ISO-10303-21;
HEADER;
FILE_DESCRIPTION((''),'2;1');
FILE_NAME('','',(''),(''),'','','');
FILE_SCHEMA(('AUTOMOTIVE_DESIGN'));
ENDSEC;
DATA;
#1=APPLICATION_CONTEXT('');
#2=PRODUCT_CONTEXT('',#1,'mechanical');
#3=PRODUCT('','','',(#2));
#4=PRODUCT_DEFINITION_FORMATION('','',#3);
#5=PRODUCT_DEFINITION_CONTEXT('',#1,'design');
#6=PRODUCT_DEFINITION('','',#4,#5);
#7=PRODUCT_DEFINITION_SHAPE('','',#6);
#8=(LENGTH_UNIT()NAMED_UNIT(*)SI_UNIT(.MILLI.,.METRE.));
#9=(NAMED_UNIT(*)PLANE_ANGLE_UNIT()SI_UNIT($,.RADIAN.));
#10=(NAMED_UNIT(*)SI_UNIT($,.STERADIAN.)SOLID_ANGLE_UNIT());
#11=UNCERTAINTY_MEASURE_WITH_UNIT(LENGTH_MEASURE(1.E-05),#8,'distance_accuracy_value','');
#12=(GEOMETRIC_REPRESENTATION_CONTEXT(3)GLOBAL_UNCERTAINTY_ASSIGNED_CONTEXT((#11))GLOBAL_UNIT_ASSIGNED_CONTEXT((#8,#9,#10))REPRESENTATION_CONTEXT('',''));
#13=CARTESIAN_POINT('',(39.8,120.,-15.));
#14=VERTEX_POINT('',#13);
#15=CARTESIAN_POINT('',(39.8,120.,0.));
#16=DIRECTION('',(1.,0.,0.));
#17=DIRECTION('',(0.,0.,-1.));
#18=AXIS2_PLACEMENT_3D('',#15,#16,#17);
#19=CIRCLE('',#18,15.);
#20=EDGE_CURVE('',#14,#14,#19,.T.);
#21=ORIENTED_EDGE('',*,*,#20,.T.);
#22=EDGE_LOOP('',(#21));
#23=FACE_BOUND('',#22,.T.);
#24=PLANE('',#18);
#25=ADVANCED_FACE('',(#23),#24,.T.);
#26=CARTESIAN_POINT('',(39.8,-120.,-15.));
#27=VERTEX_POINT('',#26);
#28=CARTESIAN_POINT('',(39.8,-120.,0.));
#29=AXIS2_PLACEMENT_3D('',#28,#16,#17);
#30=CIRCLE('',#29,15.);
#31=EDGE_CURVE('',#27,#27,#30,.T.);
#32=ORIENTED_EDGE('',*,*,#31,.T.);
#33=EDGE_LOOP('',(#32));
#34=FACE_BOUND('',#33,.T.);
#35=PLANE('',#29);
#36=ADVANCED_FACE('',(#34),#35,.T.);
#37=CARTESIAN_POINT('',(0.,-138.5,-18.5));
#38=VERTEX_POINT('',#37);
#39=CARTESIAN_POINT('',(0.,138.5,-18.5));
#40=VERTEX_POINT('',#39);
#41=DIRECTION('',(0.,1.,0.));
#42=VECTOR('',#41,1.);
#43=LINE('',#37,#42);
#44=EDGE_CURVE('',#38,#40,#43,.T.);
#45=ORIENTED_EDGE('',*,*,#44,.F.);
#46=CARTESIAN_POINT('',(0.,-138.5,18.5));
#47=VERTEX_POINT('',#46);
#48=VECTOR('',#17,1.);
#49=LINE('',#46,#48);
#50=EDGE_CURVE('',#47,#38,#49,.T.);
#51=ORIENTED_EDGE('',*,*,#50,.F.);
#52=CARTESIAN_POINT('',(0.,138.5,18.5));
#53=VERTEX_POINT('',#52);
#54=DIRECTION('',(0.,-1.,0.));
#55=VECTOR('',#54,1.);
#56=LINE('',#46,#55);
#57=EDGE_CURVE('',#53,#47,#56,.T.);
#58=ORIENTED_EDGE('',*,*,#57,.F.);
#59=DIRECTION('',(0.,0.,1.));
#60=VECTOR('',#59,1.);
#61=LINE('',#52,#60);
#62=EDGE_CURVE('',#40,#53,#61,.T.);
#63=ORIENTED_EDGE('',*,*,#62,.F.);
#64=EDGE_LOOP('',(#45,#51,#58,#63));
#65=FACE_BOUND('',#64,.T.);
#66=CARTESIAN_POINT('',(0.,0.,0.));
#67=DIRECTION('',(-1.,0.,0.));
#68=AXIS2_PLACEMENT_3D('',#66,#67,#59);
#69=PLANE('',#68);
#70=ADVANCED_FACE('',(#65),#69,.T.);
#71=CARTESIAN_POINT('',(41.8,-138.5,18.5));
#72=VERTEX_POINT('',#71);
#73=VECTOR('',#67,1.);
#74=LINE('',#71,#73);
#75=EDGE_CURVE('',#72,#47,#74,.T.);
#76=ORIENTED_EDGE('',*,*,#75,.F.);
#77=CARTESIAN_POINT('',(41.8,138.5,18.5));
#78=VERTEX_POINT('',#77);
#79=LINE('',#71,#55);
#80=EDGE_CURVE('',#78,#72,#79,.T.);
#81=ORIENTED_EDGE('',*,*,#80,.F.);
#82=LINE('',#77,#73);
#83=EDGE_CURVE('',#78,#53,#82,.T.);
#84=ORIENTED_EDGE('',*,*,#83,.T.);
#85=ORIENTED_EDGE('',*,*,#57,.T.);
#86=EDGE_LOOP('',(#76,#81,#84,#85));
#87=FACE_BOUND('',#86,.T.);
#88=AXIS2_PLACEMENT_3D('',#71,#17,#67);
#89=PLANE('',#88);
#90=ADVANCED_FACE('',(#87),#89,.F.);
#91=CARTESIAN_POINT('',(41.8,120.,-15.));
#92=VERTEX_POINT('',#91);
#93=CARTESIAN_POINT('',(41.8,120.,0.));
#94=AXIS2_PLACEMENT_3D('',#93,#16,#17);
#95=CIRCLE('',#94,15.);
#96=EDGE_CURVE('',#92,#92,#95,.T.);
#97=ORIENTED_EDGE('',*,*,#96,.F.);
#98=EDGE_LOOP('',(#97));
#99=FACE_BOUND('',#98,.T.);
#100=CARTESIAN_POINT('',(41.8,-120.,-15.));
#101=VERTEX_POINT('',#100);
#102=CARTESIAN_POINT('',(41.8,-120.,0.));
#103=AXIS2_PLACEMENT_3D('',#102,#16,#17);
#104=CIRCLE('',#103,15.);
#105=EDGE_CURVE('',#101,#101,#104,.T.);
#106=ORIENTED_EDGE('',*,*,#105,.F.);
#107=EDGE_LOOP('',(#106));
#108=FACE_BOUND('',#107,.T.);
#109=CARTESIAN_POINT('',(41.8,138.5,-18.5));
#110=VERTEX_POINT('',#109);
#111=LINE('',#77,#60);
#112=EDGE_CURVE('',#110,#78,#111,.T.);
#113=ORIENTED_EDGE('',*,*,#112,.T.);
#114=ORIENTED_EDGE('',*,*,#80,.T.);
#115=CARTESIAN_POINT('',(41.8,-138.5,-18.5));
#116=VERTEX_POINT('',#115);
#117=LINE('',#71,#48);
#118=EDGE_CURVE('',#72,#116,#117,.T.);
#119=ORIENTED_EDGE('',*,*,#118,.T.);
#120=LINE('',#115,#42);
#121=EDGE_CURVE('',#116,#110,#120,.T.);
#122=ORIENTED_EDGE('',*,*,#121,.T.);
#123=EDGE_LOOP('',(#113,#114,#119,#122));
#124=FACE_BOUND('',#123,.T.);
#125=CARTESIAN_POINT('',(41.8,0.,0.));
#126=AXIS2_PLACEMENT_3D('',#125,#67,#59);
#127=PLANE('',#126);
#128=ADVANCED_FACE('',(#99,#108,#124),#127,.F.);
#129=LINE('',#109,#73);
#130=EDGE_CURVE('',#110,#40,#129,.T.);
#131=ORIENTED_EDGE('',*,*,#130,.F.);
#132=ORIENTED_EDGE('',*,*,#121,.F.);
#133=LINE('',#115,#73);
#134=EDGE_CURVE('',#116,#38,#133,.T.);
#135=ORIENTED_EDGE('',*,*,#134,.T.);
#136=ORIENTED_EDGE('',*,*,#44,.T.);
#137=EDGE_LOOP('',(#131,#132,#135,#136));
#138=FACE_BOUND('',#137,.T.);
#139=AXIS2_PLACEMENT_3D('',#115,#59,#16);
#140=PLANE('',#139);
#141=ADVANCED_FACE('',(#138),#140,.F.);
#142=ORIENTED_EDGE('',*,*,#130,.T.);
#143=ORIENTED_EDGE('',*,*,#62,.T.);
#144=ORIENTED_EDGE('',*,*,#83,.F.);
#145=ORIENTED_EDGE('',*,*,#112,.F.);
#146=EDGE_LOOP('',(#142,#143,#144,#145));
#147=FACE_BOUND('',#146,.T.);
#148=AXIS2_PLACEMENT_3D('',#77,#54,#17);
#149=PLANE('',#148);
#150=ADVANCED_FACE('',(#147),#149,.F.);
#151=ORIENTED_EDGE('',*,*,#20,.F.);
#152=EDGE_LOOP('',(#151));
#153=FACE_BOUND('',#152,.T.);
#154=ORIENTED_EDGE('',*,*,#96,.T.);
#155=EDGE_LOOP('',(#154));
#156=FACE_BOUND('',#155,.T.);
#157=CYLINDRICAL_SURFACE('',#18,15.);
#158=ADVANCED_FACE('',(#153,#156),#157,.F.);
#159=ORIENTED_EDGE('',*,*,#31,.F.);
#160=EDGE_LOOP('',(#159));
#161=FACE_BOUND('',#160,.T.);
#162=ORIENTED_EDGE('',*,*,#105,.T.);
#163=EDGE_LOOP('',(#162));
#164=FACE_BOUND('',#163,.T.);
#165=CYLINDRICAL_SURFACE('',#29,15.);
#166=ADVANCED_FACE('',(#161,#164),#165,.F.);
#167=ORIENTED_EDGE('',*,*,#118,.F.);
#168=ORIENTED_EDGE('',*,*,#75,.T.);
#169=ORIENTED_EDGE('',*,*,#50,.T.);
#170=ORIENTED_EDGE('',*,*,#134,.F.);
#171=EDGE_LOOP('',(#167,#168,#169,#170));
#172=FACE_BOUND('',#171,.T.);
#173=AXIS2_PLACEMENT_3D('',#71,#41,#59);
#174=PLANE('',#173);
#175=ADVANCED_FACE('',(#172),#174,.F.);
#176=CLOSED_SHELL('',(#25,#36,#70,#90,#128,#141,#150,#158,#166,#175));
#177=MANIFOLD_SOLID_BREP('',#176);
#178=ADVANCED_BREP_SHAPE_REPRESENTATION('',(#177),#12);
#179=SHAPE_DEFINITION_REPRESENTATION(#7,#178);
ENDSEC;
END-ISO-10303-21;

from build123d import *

# Parameters (mm, degrees)
SKETCH1_W           = 37
SKETCH1_H           = 277
BOSS_EXTRUDE1_DEPTH = 41.8
SKETCH2_R           = 15
CUT_EXTRUDE1_DEPTH  = 2


with BuildPart() as part:
    # Sketch1 → Boss-Extrude1 (new body)
    with BuildSketch(Plane(origin=(0, 0, 0), x_dir=(0, 0, -1), z_dir=(1, 0, 0))):
        Rectangle(SKETCH1_W, SKETCH1_H)
    extrude(amount=BOSS_EXTRUDE1_DEPTH)

    # Sketch2 → Cut-Extrude1 (cut)
    with BuildSketch(Plane(origin=(41.8, 0, 0), x_dir=(0, 0, -1), z_dir=(1, 0, 0))):
        with Locations((0, 120)):
            Circle(SKETCH2_R)
        with Locations((0, -120)):
            Circle(SKETCH2_R)
    extrude(amount=-CUT_EXTRUDE1_DEPTH, mode=Mode.SUBTRACT)


solid = part.part
